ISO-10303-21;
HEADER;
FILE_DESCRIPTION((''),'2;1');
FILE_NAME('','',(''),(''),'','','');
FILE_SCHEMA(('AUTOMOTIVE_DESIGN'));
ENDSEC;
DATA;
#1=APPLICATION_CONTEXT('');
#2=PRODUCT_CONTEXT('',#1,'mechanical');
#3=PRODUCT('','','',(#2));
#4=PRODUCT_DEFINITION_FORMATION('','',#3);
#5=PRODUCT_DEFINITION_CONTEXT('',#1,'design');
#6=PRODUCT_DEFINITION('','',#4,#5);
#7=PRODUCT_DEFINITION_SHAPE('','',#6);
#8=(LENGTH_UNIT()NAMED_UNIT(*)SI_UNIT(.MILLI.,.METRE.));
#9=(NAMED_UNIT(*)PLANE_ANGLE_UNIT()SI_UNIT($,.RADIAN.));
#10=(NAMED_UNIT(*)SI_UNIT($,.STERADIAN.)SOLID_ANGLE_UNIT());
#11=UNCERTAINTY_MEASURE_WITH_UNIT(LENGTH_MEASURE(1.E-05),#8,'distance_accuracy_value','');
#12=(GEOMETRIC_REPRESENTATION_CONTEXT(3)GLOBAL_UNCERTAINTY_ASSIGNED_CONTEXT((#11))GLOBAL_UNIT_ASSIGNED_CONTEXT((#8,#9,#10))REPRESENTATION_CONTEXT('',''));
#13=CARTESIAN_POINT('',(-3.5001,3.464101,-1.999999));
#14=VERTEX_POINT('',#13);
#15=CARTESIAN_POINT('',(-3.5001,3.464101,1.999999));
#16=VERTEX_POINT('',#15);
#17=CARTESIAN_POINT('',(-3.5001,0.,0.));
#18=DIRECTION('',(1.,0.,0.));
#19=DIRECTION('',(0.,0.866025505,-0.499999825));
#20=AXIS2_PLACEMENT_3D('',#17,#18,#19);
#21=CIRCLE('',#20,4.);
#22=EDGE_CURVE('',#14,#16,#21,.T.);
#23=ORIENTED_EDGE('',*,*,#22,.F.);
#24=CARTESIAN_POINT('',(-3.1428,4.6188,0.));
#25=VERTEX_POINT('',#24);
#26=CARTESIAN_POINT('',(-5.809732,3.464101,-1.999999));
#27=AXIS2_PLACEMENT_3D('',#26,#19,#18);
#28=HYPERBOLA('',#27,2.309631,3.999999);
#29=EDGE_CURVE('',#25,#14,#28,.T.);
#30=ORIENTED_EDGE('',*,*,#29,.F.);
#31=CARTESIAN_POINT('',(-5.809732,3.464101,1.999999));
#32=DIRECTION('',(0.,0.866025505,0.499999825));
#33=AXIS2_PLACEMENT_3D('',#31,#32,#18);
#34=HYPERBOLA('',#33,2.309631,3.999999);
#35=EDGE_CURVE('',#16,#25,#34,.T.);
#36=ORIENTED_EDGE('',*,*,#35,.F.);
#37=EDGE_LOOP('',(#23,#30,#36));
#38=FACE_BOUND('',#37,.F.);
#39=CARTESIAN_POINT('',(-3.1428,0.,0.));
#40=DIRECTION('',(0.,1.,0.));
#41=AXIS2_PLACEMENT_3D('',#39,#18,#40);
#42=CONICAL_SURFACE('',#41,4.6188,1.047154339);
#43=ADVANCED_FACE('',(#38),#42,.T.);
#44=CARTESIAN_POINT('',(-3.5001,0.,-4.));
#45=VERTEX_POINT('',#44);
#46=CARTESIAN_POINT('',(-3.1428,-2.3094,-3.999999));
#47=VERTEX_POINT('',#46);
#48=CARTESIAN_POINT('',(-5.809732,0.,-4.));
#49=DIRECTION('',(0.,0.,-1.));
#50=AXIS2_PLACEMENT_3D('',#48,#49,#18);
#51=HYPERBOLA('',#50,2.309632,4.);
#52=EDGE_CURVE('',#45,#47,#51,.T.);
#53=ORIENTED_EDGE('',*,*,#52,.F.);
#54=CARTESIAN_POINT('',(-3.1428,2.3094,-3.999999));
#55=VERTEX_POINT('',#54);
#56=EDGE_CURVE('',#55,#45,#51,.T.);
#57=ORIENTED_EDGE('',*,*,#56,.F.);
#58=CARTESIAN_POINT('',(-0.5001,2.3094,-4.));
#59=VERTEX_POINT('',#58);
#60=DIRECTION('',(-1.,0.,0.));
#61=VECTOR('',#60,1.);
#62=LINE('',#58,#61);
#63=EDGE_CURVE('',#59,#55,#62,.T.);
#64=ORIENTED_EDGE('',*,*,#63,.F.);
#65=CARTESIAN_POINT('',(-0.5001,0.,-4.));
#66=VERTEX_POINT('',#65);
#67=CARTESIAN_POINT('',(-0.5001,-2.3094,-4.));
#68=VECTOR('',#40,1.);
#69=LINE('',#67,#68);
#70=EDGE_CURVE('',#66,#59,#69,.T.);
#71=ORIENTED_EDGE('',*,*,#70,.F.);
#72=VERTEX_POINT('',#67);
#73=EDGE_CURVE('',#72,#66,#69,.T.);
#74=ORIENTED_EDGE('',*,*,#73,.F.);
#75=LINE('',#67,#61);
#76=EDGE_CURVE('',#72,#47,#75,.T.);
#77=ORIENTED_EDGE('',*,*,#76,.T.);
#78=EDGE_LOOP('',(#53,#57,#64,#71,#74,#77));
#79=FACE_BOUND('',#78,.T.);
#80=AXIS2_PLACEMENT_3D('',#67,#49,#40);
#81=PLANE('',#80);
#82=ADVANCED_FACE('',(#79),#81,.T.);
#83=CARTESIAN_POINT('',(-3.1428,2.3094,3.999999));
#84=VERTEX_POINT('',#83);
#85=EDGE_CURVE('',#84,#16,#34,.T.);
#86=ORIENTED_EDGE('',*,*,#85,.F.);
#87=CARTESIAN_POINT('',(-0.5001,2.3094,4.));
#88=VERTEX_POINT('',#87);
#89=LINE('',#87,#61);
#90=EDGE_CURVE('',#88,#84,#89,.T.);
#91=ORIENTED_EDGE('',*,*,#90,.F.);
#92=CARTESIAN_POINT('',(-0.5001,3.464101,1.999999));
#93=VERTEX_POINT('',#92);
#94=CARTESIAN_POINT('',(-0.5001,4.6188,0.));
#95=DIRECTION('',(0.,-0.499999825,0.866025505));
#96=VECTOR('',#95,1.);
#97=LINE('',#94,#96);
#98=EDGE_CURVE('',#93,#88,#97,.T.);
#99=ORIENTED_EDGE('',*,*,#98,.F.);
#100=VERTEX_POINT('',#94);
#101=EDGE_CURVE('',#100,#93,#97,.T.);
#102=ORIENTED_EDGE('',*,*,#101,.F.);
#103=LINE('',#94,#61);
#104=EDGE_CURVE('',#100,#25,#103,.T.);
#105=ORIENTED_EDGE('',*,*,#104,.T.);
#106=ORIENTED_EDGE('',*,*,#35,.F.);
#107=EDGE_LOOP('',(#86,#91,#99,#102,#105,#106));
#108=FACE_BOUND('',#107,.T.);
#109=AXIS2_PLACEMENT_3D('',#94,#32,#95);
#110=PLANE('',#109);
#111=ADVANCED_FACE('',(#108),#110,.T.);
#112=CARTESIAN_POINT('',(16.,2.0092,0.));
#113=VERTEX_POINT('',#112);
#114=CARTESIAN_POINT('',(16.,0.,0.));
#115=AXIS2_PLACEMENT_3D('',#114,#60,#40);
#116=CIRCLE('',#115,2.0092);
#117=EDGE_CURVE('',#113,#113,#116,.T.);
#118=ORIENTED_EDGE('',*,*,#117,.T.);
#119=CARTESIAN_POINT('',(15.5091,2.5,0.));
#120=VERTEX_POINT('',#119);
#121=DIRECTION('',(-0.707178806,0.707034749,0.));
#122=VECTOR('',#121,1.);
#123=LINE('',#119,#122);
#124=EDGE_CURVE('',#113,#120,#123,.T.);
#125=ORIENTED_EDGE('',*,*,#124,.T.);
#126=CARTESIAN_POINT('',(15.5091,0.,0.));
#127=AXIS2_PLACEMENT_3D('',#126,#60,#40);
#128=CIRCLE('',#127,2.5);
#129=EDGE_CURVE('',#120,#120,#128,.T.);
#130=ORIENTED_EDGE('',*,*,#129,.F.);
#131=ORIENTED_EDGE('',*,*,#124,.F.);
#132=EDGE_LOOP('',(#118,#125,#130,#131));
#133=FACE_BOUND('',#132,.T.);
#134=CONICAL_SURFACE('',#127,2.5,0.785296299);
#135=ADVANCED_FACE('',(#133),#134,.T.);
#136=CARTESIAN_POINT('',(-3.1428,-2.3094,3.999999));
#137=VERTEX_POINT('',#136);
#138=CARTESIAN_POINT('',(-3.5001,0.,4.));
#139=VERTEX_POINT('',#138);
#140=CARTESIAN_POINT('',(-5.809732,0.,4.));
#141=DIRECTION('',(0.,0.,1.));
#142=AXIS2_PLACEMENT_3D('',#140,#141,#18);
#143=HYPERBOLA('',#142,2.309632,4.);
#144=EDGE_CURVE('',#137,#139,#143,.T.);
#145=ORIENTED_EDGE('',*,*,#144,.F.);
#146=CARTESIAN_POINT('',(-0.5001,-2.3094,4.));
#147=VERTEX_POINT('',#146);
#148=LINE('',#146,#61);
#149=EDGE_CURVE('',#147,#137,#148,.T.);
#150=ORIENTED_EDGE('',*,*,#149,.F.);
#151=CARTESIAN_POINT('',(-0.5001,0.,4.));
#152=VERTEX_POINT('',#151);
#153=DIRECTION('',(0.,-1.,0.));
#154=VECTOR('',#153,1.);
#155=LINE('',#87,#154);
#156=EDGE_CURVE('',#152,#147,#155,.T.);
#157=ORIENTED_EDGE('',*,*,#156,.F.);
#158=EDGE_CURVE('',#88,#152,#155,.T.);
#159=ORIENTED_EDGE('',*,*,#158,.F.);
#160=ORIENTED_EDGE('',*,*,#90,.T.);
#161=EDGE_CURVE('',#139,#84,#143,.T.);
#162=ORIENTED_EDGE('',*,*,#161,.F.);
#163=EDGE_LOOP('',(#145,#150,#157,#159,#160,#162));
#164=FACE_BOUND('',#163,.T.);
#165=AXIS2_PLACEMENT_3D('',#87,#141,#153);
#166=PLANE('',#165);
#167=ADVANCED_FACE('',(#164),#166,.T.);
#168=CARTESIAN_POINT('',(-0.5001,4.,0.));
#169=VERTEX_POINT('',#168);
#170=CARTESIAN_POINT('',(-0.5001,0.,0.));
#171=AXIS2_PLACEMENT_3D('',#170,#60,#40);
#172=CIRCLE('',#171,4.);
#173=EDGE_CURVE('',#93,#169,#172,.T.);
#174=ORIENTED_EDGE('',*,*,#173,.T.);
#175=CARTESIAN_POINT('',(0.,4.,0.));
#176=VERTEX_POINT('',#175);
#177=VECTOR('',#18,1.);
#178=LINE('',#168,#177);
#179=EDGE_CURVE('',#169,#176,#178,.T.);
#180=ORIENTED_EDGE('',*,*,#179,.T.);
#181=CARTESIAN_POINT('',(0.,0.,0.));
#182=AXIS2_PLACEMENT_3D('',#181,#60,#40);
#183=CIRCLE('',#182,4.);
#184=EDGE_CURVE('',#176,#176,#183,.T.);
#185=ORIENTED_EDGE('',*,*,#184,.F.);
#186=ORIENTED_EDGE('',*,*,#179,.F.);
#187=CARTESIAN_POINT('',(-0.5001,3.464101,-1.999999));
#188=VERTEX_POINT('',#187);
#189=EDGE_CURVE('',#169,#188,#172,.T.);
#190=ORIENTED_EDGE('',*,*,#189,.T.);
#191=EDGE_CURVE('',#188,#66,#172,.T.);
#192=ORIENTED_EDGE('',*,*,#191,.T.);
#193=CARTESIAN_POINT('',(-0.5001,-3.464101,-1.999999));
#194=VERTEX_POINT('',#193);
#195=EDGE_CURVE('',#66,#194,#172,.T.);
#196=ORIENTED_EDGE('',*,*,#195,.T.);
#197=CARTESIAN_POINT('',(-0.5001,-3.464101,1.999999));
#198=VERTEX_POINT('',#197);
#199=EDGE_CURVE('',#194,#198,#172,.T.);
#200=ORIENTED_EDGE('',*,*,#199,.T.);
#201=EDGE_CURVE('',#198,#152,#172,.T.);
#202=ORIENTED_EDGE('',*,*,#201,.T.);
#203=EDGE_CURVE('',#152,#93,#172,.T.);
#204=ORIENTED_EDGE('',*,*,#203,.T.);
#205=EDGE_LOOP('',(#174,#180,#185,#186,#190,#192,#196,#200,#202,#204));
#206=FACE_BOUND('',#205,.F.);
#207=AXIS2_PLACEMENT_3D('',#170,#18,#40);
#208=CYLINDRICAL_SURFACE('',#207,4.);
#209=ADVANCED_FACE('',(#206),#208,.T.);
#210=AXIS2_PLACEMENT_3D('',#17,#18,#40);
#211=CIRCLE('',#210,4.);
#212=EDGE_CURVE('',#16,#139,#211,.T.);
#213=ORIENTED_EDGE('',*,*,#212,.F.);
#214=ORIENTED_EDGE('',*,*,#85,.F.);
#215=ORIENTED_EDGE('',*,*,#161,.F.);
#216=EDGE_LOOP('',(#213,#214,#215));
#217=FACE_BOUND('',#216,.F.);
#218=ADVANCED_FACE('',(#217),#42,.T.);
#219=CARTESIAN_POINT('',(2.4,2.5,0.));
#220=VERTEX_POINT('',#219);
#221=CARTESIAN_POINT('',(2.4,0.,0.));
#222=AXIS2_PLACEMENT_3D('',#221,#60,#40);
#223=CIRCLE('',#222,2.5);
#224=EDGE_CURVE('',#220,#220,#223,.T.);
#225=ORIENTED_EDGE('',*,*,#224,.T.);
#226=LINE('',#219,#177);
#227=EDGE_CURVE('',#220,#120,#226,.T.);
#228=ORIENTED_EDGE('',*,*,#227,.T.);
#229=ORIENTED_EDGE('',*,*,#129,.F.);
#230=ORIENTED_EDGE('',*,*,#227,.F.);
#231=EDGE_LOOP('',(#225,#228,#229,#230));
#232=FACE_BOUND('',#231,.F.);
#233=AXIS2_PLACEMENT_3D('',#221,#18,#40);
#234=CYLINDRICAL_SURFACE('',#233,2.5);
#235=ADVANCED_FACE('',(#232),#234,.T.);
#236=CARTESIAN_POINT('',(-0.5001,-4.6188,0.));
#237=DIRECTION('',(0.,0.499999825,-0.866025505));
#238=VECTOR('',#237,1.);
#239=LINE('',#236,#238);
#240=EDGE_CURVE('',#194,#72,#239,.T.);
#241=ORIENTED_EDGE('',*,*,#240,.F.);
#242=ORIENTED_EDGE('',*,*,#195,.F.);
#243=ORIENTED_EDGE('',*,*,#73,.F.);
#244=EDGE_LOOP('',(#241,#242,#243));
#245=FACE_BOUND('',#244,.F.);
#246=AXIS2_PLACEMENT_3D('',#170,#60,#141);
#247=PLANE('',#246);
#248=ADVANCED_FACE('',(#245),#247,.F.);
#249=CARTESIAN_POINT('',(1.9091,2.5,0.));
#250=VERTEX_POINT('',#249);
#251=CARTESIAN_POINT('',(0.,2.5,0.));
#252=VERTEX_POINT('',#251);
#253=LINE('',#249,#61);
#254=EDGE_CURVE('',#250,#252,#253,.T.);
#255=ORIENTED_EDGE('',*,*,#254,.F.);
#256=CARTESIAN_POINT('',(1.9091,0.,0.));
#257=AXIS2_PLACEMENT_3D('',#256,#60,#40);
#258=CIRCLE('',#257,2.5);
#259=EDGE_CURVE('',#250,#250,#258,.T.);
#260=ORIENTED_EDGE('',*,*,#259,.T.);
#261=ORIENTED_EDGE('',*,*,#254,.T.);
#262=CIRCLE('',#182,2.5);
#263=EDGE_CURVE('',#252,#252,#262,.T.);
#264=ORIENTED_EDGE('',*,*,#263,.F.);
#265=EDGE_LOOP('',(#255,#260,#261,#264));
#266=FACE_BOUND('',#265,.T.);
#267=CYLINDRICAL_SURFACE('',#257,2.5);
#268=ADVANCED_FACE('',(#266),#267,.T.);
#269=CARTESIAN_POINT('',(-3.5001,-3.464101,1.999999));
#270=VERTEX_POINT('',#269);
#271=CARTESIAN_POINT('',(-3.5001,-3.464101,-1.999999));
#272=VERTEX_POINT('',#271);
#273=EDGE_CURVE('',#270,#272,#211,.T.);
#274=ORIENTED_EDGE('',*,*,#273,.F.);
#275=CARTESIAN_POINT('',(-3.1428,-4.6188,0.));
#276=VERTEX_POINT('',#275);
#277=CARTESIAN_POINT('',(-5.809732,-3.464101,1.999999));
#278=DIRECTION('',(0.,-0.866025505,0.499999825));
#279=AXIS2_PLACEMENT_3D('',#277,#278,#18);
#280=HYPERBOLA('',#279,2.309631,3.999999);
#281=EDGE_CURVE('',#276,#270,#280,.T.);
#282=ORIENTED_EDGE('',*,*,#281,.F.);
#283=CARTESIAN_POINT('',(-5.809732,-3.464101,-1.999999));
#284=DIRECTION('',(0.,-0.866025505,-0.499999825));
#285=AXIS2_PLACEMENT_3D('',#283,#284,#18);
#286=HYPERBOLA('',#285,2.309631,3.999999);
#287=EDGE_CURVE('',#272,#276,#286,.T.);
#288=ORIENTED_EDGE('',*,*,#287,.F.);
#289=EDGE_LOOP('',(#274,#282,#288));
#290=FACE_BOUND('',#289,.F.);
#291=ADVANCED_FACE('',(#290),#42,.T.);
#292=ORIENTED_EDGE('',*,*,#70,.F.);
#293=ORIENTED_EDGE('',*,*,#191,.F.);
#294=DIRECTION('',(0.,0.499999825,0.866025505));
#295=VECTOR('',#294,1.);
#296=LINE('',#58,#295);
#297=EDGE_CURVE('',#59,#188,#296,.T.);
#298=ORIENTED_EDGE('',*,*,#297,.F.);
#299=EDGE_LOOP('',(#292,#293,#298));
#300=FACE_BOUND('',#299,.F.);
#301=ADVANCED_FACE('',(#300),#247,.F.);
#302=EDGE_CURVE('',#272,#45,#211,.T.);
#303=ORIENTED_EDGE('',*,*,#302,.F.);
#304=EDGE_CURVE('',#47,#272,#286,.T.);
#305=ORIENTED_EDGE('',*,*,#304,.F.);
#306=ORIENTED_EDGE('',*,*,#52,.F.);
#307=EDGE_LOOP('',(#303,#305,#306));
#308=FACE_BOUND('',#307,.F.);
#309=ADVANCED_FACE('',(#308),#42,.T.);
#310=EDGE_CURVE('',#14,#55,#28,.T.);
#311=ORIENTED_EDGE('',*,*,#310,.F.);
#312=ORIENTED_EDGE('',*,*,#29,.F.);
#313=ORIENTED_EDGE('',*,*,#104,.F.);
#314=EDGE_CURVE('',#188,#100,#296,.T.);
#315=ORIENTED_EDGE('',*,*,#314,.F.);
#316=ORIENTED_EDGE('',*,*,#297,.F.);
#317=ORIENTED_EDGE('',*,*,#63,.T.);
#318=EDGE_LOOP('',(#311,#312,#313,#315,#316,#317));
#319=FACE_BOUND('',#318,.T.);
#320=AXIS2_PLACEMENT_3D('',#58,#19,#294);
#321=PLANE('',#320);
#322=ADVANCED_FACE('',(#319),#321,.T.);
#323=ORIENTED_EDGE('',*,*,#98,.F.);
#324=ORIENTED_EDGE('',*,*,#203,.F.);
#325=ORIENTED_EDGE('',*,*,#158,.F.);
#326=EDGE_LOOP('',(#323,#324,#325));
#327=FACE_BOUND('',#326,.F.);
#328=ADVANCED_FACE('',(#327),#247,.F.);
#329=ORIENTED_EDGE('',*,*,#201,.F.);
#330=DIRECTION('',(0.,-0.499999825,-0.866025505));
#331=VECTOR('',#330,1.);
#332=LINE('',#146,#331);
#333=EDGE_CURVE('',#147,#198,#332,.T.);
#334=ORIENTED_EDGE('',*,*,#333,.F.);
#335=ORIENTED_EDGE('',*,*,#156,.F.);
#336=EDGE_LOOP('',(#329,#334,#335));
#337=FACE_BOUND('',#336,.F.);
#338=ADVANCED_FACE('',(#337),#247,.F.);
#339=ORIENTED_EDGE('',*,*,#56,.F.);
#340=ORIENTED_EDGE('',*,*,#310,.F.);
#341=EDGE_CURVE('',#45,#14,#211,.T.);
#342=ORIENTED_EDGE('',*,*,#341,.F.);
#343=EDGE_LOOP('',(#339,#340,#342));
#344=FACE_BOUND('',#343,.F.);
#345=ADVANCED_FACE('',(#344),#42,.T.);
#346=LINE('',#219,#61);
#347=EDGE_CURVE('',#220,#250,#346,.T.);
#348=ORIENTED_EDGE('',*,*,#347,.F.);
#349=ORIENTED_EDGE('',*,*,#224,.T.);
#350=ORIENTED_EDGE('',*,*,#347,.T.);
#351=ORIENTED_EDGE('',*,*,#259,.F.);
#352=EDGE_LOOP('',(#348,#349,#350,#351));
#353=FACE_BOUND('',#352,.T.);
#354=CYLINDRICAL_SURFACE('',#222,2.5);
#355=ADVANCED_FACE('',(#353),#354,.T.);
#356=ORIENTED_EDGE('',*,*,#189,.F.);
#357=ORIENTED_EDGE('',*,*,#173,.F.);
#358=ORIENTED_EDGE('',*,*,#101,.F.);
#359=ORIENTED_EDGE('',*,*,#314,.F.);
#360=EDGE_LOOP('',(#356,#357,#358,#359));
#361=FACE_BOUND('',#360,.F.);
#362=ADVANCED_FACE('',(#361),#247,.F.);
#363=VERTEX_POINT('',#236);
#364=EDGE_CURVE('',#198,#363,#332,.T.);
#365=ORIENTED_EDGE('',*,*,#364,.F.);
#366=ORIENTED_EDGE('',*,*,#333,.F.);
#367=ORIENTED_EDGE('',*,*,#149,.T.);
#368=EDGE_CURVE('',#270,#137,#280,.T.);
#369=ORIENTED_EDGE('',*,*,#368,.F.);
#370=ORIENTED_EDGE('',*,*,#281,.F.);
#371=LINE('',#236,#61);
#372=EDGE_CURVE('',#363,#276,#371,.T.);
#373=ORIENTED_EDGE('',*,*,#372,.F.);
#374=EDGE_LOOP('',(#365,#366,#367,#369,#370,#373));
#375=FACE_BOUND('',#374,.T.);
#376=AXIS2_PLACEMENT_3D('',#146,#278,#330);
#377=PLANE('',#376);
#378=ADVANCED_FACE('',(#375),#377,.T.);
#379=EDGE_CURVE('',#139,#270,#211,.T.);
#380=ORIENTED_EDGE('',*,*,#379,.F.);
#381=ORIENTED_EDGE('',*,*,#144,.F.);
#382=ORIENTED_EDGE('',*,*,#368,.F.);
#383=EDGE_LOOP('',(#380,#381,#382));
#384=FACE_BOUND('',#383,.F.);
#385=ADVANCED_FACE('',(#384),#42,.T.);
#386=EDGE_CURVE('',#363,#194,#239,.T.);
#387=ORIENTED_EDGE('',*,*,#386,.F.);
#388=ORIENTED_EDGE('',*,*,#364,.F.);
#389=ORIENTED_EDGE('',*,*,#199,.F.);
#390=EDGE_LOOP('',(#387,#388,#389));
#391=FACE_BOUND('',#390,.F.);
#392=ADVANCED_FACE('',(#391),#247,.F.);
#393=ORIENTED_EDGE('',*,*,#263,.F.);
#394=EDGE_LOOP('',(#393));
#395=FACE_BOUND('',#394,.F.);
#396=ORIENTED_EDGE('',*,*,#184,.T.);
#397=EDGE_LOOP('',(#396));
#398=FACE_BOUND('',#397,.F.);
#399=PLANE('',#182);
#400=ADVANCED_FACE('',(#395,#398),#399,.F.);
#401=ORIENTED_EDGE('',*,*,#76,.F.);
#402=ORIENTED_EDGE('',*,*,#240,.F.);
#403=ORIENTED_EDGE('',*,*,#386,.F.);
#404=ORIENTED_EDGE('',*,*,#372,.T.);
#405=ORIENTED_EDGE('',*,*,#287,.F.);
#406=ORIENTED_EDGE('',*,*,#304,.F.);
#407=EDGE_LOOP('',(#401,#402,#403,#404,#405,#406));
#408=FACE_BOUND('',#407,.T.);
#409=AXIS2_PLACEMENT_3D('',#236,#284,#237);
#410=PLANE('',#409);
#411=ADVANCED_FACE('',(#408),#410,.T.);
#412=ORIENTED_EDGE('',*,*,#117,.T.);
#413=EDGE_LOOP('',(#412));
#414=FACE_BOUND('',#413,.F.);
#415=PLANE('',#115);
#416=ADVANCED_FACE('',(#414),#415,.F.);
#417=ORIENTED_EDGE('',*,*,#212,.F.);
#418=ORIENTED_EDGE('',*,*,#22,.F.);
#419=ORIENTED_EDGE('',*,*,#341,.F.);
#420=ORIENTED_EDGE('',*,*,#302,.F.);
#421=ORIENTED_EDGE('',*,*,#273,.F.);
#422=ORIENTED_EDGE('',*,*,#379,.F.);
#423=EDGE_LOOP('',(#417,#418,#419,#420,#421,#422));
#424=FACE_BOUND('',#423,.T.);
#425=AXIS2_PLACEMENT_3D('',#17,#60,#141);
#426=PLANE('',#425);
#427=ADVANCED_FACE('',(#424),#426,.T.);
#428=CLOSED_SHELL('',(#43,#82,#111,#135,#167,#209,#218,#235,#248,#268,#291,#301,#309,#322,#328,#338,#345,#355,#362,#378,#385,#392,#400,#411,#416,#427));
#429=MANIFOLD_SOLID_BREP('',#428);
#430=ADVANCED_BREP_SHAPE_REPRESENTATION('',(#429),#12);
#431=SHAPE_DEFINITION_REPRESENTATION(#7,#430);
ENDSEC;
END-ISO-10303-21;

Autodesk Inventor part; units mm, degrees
ref_plane "YZ Plane" through (0, 0, 0) normal (1, 0, 0) x (0, 1, 0)
ref_plane "XZ Plane" through (0, 0, 0) normal (0, 1, 0) x (-1, 0, 0)
sketch "Sketch1" plane through (0, 0, 0) normal (0, 0, 1) x (1, 0, 0)
  line L0 (0, 4) -> (0, 2.5)
  line L1 (2.4, 2.5) -> (16, 2.5)
  line L2 (16, 2.5) -> (16, 0)
  line L3 (16, 0) -> (-0.5001, 0)
  line L4 (-3.8001, 0) -> (19.3, 0) projected
  line L5 (-0.5001, 0) -> (-0.5001, 4)
  line L6 (-0.5001, 4) -> (0, 4)
  line L7 (2.4, 2.5) -> (1.9091, 2.5)
  line L8 (1.9091, 2.5) -> (0, 2.5)
  line L9 (0, -0.8) -> (0, 4.8) projected
  dimension "d0" = 16
  dimension "d1" = 13.6
  dimension "d2" = 5
  dimension "d9" = 0.5001
  dimension "d10" = 8
  dimension "d13" = 0.4909
  dimension "d14" = 5
revolve "Body" add sketch "Sketch1" angle 360 about axis through (16, 0, 0) along (-1, 0, 0)
sketch "Sketch2" plane through (-0.5001, 0, 0) normal (-1, 0, 0) x (0, 0, 1)
  line L0 (0, 4.6188) -> (4, 2.3094)
  line L1 (4, 2.3094) -> (4, -2.3094)
  line L2 (4, -2.3094) -> (0, -4.6188)
  line L3 (0, -4.6188) -> (-4, -2.3094)
  line L4 (-4, -2.3094) -> (-4, 2.3094)
  line L5 (-4, 2.3094) -> (0, 4.6188)
  point P0 (0, 0)
  point P1 (0, 0)
  dimension "d11" = 8
extrude "Head" add sketch "Sketch2" along normal blind 3
sketch "Sketch4" plane through (0, 0, 0) normal (0, 0, 1) x (1, 0, 0)
  line L0 (-3.5001, 4) -> (-3.5001, 4.6188)
  line L1 (-3.5001, 4.6188) -> (-3.1428, 4.6188)
  line L2 (-3.1428, 4.6188) -> (-3.5001, 4)
  line L3 (-4.1001, 0) -> (0.0999, 0) projected
  line L4 (-0.5001, 4.6188) -> (-3.5001, 4.6188) projected
  line L5 (-3.5001, 2.3094) -> (-3.5001, 4.6188) projected
  dimension "d5" = 30
  dimension "d19" = 8
revolve "Chamfer1" cut sketch "Sketch4" angle 360 about axis through (-10, 0, 0) along (1, 0, 0)
thread "Thread" size "M5x0.8" class "6g" standard "ISO Metric profile" length 13.6
chamfer "Chamfer2" distance 0.4908 distance2 0.4909 1 edges at (16, -2.5, 0) measured on face at (16, 0.6587, 0.3326)
ref_plane "Work Plane1" through (1.525, 0, 0) normal (0, 0, 1) x (1, 0, 0)
equation "\"d0\" = NLG"
equation "\"d1\" = GEL"
equation "\"d2\" = GD"
equation "\"d10\" = SD2"
equation "\"d14\" = BDM"
equation "\"d11\" = SW"
equation "\"d3\" = KOH - SD"
equation "\"d5\" = ANG1"
equation "\"d19\" = SW0"
equation "\"d15\" = GEL"
equation "\"d6\" = -0.5 * SPD + 0.5 * GD"
equation "\"NLG\" = 16"
equation "\"GD\" = NND"
equation "\"BDM\" = NND"
equation "\"KOH\" = 3.5"
equation "\"GEL\" = 13.6"
equation "\"SW\" = 8"
equation "\"SW0\" = SW"
equation "\"SPD\" = NND - 1.2269 * PTC"
equation "\"SD2\" = SW"
equation "\"SD\" = 0.5"
equation "\"ANG1\" = 30deg"
equation "\"GAL\" = 0.61345 * PTC"
equation "\"GUL\" = 0.61345 * PTC"
equation "\"RR\" = 0.2"
equation "\"WFT\" = SD"
equation "\"GD1\" = THREADDIA - 1.2269 * PTC"
equation "\"THREADDIA\" = 5"
equation "\"SDH\" = SW"
equation "\"TOA\" = 30deg"
equation "\"FAWI\" = 45deg"
equation "\"PTC\" = 0.8"
equation "\"NND\" = 5"
equation "\"E0\" = 1.155 * SW"
properties part number "AS 1110 - M5 x 16" material "Steel, Mild"
